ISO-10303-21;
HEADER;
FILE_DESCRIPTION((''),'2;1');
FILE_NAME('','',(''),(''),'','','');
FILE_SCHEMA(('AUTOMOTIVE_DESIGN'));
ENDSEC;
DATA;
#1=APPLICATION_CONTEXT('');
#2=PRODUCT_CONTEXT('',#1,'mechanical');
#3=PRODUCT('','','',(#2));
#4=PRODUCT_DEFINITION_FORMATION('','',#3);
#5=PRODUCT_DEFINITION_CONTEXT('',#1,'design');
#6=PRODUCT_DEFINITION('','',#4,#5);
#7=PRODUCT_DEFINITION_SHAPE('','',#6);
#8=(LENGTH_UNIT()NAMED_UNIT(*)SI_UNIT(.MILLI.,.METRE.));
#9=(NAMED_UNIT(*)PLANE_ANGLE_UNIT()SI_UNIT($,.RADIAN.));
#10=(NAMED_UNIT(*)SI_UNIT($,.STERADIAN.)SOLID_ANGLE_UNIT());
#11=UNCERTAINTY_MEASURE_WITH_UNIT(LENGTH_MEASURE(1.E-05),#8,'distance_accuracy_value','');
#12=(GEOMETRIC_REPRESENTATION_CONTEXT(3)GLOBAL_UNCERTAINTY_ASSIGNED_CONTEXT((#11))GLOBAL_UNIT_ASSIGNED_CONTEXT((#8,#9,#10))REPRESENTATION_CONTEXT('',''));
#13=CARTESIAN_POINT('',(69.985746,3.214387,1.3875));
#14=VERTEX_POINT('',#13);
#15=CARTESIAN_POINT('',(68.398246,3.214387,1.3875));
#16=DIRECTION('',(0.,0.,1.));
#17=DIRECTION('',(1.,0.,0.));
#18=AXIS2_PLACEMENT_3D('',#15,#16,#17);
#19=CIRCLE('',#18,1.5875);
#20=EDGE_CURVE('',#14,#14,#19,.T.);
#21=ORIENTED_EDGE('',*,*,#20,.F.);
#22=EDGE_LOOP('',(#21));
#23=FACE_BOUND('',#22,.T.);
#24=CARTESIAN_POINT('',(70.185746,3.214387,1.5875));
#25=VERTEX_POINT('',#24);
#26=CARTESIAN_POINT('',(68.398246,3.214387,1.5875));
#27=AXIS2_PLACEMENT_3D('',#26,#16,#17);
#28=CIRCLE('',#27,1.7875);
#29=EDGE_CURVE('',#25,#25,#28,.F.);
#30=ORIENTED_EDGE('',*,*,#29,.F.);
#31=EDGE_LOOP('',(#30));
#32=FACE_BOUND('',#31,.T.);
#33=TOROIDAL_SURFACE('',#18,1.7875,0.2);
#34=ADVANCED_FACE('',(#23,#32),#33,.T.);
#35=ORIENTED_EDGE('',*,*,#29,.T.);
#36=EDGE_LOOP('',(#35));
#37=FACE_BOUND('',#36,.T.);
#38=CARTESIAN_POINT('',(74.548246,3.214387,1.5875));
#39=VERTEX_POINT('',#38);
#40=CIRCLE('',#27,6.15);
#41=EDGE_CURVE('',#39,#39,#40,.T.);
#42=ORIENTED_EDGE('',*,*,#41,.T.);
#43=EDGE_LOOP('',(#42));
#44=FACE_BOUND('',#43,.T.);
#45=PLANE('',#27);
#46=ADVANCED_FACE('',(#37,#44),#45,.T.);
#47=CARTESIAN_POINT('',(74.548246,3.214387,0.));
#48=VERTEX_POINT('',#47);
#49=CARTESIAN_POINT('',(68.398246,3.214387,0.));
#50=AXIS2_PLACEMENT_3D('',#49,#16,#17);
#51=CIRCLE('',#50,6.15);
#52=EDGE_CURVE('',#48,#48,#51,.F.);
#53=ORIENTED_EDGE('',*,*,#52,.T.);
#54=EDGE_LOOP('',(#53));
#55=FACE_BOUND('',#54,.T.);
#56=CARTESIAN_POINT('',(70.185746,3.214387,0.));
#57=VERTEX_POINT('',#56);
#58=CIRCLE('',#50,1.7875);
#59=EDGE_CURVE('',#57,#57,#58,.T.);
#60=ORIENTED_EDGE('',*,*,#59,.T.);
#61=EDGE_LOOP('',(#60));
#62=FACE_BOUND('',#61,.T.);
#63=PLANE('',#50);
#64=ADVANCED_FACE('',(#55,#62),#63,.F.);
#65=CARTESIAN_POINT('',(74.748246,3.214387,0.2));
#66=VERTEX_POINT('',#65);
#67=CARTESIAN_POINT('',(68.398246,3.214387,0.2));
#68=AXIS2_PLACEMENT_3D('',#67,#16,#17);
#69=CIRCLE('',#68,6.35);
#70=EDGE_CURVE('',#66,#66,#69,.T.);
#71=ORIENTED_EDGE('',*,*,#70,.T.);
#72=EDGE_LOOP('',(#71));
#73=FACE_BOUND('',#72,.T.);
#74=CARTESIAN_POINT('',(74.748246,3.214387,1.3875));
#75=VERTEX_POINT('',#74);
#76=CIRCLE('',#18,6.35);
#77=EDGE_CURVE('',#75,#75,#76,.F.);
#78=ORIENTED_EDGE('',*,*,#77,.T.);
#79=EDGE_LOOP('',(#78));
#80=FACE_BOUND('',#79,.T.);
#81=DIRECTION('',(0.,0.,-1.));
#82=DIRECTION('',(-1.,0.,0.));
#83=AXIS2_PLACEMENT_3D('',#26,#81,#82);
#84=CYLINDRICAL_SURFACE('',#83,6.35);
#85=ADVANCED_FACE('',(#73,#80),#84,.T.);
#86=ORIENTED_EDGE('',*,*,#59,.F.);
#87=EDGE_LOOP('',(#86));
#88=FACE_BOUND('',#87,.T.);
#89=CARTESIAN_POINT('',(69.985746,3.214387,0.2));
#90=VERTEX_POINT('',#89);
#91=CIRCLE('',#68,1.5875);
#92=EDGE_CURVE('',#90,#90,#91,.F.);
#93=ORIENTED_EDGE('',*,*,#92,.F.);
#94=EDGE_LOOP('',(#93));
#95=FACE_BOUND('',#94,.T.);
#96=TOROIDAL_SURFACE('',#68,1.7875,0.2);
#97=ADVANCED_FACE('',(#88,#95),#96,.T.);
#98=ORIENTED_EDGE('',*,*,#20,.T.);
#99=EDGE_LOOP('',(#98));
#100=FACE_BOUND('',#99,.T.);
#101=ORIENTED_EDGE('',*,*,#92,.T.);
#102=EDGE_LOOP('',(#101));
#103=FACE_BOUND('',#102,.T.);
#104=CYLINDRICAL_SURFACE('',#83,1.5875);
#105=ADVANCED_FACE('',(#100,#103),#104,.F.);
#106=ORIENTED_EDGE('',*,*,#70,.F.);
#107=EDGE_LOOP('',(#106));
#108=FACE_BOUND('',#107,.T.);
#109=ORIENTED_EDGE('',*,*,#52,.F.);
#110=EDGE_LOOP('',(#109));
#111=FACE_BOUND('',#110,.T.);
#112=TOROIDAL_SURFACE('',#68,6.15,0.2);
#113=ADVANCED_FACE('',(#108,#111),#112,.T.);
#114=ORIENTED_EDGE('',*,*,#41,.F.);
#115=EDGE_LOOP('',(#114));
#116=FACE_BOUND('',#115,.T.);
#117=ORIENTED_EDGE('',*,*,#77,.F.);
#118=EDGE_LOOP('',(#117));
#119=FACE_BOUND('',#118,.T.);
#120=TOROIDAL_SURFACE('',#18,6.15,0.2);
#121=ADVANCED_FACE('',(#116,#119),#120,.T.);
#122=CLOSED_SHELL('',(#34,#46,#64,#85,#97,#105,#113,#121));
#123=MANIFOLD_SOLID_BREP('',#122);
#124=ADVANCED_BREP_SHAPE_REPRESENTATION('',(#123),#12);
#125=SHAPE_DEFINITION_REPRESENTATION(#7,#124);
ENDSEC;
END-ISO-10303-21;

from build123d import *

# Parameters (mm, degrees)
SKETCH1_R           = 6.35
BOSS_EXTRUDE1_DEPTH = 1.5875
SKETCH2_R           = 1.5875
CUT_EXTRUDE1_DEPTH  = 76.374385622
FILLET1_R           = 0.2


with BuildPart() as part:
    # Sketch1 → Boss-Extrude1 (new body)
    with BuildSketch(Plane.XY):
        with Locations((68.398246491, 3.214386977)):
            Circle(SKETCH1_R)
    extrude(amount=BOSS_EXTRUDE1_DEPTH)

    # Sketch2 → Cut-Extrude1 (cut, through all)
    with BuildSketch(Plane(origin=(0, 0, 0), x_dir=(-1, 0, 0), z_dir=(0, 0, -1))):
        with Locations((-68.398246491, 3.214386977)):
            Circle(SKETCH2_R)
    extrude(amount=-CUT_EXTRUDE1_DEPTH, mode=Mode.SUBTRACT)

    # Fillet1
    fillet1_edges = [part.edges().sort_by_distance(p)[0] for p in [
        (62.048246491, 3.214386977, 0),
        (62.048246491, 3.214386977, 1.5875),
        (69.985746491, 3.214386977, 1.5875),
        (69.985746491, 3.214386977, 0),
    ]]
    fillet(fillet1_edges, radius=FILLET1_R)


solid = part.part
